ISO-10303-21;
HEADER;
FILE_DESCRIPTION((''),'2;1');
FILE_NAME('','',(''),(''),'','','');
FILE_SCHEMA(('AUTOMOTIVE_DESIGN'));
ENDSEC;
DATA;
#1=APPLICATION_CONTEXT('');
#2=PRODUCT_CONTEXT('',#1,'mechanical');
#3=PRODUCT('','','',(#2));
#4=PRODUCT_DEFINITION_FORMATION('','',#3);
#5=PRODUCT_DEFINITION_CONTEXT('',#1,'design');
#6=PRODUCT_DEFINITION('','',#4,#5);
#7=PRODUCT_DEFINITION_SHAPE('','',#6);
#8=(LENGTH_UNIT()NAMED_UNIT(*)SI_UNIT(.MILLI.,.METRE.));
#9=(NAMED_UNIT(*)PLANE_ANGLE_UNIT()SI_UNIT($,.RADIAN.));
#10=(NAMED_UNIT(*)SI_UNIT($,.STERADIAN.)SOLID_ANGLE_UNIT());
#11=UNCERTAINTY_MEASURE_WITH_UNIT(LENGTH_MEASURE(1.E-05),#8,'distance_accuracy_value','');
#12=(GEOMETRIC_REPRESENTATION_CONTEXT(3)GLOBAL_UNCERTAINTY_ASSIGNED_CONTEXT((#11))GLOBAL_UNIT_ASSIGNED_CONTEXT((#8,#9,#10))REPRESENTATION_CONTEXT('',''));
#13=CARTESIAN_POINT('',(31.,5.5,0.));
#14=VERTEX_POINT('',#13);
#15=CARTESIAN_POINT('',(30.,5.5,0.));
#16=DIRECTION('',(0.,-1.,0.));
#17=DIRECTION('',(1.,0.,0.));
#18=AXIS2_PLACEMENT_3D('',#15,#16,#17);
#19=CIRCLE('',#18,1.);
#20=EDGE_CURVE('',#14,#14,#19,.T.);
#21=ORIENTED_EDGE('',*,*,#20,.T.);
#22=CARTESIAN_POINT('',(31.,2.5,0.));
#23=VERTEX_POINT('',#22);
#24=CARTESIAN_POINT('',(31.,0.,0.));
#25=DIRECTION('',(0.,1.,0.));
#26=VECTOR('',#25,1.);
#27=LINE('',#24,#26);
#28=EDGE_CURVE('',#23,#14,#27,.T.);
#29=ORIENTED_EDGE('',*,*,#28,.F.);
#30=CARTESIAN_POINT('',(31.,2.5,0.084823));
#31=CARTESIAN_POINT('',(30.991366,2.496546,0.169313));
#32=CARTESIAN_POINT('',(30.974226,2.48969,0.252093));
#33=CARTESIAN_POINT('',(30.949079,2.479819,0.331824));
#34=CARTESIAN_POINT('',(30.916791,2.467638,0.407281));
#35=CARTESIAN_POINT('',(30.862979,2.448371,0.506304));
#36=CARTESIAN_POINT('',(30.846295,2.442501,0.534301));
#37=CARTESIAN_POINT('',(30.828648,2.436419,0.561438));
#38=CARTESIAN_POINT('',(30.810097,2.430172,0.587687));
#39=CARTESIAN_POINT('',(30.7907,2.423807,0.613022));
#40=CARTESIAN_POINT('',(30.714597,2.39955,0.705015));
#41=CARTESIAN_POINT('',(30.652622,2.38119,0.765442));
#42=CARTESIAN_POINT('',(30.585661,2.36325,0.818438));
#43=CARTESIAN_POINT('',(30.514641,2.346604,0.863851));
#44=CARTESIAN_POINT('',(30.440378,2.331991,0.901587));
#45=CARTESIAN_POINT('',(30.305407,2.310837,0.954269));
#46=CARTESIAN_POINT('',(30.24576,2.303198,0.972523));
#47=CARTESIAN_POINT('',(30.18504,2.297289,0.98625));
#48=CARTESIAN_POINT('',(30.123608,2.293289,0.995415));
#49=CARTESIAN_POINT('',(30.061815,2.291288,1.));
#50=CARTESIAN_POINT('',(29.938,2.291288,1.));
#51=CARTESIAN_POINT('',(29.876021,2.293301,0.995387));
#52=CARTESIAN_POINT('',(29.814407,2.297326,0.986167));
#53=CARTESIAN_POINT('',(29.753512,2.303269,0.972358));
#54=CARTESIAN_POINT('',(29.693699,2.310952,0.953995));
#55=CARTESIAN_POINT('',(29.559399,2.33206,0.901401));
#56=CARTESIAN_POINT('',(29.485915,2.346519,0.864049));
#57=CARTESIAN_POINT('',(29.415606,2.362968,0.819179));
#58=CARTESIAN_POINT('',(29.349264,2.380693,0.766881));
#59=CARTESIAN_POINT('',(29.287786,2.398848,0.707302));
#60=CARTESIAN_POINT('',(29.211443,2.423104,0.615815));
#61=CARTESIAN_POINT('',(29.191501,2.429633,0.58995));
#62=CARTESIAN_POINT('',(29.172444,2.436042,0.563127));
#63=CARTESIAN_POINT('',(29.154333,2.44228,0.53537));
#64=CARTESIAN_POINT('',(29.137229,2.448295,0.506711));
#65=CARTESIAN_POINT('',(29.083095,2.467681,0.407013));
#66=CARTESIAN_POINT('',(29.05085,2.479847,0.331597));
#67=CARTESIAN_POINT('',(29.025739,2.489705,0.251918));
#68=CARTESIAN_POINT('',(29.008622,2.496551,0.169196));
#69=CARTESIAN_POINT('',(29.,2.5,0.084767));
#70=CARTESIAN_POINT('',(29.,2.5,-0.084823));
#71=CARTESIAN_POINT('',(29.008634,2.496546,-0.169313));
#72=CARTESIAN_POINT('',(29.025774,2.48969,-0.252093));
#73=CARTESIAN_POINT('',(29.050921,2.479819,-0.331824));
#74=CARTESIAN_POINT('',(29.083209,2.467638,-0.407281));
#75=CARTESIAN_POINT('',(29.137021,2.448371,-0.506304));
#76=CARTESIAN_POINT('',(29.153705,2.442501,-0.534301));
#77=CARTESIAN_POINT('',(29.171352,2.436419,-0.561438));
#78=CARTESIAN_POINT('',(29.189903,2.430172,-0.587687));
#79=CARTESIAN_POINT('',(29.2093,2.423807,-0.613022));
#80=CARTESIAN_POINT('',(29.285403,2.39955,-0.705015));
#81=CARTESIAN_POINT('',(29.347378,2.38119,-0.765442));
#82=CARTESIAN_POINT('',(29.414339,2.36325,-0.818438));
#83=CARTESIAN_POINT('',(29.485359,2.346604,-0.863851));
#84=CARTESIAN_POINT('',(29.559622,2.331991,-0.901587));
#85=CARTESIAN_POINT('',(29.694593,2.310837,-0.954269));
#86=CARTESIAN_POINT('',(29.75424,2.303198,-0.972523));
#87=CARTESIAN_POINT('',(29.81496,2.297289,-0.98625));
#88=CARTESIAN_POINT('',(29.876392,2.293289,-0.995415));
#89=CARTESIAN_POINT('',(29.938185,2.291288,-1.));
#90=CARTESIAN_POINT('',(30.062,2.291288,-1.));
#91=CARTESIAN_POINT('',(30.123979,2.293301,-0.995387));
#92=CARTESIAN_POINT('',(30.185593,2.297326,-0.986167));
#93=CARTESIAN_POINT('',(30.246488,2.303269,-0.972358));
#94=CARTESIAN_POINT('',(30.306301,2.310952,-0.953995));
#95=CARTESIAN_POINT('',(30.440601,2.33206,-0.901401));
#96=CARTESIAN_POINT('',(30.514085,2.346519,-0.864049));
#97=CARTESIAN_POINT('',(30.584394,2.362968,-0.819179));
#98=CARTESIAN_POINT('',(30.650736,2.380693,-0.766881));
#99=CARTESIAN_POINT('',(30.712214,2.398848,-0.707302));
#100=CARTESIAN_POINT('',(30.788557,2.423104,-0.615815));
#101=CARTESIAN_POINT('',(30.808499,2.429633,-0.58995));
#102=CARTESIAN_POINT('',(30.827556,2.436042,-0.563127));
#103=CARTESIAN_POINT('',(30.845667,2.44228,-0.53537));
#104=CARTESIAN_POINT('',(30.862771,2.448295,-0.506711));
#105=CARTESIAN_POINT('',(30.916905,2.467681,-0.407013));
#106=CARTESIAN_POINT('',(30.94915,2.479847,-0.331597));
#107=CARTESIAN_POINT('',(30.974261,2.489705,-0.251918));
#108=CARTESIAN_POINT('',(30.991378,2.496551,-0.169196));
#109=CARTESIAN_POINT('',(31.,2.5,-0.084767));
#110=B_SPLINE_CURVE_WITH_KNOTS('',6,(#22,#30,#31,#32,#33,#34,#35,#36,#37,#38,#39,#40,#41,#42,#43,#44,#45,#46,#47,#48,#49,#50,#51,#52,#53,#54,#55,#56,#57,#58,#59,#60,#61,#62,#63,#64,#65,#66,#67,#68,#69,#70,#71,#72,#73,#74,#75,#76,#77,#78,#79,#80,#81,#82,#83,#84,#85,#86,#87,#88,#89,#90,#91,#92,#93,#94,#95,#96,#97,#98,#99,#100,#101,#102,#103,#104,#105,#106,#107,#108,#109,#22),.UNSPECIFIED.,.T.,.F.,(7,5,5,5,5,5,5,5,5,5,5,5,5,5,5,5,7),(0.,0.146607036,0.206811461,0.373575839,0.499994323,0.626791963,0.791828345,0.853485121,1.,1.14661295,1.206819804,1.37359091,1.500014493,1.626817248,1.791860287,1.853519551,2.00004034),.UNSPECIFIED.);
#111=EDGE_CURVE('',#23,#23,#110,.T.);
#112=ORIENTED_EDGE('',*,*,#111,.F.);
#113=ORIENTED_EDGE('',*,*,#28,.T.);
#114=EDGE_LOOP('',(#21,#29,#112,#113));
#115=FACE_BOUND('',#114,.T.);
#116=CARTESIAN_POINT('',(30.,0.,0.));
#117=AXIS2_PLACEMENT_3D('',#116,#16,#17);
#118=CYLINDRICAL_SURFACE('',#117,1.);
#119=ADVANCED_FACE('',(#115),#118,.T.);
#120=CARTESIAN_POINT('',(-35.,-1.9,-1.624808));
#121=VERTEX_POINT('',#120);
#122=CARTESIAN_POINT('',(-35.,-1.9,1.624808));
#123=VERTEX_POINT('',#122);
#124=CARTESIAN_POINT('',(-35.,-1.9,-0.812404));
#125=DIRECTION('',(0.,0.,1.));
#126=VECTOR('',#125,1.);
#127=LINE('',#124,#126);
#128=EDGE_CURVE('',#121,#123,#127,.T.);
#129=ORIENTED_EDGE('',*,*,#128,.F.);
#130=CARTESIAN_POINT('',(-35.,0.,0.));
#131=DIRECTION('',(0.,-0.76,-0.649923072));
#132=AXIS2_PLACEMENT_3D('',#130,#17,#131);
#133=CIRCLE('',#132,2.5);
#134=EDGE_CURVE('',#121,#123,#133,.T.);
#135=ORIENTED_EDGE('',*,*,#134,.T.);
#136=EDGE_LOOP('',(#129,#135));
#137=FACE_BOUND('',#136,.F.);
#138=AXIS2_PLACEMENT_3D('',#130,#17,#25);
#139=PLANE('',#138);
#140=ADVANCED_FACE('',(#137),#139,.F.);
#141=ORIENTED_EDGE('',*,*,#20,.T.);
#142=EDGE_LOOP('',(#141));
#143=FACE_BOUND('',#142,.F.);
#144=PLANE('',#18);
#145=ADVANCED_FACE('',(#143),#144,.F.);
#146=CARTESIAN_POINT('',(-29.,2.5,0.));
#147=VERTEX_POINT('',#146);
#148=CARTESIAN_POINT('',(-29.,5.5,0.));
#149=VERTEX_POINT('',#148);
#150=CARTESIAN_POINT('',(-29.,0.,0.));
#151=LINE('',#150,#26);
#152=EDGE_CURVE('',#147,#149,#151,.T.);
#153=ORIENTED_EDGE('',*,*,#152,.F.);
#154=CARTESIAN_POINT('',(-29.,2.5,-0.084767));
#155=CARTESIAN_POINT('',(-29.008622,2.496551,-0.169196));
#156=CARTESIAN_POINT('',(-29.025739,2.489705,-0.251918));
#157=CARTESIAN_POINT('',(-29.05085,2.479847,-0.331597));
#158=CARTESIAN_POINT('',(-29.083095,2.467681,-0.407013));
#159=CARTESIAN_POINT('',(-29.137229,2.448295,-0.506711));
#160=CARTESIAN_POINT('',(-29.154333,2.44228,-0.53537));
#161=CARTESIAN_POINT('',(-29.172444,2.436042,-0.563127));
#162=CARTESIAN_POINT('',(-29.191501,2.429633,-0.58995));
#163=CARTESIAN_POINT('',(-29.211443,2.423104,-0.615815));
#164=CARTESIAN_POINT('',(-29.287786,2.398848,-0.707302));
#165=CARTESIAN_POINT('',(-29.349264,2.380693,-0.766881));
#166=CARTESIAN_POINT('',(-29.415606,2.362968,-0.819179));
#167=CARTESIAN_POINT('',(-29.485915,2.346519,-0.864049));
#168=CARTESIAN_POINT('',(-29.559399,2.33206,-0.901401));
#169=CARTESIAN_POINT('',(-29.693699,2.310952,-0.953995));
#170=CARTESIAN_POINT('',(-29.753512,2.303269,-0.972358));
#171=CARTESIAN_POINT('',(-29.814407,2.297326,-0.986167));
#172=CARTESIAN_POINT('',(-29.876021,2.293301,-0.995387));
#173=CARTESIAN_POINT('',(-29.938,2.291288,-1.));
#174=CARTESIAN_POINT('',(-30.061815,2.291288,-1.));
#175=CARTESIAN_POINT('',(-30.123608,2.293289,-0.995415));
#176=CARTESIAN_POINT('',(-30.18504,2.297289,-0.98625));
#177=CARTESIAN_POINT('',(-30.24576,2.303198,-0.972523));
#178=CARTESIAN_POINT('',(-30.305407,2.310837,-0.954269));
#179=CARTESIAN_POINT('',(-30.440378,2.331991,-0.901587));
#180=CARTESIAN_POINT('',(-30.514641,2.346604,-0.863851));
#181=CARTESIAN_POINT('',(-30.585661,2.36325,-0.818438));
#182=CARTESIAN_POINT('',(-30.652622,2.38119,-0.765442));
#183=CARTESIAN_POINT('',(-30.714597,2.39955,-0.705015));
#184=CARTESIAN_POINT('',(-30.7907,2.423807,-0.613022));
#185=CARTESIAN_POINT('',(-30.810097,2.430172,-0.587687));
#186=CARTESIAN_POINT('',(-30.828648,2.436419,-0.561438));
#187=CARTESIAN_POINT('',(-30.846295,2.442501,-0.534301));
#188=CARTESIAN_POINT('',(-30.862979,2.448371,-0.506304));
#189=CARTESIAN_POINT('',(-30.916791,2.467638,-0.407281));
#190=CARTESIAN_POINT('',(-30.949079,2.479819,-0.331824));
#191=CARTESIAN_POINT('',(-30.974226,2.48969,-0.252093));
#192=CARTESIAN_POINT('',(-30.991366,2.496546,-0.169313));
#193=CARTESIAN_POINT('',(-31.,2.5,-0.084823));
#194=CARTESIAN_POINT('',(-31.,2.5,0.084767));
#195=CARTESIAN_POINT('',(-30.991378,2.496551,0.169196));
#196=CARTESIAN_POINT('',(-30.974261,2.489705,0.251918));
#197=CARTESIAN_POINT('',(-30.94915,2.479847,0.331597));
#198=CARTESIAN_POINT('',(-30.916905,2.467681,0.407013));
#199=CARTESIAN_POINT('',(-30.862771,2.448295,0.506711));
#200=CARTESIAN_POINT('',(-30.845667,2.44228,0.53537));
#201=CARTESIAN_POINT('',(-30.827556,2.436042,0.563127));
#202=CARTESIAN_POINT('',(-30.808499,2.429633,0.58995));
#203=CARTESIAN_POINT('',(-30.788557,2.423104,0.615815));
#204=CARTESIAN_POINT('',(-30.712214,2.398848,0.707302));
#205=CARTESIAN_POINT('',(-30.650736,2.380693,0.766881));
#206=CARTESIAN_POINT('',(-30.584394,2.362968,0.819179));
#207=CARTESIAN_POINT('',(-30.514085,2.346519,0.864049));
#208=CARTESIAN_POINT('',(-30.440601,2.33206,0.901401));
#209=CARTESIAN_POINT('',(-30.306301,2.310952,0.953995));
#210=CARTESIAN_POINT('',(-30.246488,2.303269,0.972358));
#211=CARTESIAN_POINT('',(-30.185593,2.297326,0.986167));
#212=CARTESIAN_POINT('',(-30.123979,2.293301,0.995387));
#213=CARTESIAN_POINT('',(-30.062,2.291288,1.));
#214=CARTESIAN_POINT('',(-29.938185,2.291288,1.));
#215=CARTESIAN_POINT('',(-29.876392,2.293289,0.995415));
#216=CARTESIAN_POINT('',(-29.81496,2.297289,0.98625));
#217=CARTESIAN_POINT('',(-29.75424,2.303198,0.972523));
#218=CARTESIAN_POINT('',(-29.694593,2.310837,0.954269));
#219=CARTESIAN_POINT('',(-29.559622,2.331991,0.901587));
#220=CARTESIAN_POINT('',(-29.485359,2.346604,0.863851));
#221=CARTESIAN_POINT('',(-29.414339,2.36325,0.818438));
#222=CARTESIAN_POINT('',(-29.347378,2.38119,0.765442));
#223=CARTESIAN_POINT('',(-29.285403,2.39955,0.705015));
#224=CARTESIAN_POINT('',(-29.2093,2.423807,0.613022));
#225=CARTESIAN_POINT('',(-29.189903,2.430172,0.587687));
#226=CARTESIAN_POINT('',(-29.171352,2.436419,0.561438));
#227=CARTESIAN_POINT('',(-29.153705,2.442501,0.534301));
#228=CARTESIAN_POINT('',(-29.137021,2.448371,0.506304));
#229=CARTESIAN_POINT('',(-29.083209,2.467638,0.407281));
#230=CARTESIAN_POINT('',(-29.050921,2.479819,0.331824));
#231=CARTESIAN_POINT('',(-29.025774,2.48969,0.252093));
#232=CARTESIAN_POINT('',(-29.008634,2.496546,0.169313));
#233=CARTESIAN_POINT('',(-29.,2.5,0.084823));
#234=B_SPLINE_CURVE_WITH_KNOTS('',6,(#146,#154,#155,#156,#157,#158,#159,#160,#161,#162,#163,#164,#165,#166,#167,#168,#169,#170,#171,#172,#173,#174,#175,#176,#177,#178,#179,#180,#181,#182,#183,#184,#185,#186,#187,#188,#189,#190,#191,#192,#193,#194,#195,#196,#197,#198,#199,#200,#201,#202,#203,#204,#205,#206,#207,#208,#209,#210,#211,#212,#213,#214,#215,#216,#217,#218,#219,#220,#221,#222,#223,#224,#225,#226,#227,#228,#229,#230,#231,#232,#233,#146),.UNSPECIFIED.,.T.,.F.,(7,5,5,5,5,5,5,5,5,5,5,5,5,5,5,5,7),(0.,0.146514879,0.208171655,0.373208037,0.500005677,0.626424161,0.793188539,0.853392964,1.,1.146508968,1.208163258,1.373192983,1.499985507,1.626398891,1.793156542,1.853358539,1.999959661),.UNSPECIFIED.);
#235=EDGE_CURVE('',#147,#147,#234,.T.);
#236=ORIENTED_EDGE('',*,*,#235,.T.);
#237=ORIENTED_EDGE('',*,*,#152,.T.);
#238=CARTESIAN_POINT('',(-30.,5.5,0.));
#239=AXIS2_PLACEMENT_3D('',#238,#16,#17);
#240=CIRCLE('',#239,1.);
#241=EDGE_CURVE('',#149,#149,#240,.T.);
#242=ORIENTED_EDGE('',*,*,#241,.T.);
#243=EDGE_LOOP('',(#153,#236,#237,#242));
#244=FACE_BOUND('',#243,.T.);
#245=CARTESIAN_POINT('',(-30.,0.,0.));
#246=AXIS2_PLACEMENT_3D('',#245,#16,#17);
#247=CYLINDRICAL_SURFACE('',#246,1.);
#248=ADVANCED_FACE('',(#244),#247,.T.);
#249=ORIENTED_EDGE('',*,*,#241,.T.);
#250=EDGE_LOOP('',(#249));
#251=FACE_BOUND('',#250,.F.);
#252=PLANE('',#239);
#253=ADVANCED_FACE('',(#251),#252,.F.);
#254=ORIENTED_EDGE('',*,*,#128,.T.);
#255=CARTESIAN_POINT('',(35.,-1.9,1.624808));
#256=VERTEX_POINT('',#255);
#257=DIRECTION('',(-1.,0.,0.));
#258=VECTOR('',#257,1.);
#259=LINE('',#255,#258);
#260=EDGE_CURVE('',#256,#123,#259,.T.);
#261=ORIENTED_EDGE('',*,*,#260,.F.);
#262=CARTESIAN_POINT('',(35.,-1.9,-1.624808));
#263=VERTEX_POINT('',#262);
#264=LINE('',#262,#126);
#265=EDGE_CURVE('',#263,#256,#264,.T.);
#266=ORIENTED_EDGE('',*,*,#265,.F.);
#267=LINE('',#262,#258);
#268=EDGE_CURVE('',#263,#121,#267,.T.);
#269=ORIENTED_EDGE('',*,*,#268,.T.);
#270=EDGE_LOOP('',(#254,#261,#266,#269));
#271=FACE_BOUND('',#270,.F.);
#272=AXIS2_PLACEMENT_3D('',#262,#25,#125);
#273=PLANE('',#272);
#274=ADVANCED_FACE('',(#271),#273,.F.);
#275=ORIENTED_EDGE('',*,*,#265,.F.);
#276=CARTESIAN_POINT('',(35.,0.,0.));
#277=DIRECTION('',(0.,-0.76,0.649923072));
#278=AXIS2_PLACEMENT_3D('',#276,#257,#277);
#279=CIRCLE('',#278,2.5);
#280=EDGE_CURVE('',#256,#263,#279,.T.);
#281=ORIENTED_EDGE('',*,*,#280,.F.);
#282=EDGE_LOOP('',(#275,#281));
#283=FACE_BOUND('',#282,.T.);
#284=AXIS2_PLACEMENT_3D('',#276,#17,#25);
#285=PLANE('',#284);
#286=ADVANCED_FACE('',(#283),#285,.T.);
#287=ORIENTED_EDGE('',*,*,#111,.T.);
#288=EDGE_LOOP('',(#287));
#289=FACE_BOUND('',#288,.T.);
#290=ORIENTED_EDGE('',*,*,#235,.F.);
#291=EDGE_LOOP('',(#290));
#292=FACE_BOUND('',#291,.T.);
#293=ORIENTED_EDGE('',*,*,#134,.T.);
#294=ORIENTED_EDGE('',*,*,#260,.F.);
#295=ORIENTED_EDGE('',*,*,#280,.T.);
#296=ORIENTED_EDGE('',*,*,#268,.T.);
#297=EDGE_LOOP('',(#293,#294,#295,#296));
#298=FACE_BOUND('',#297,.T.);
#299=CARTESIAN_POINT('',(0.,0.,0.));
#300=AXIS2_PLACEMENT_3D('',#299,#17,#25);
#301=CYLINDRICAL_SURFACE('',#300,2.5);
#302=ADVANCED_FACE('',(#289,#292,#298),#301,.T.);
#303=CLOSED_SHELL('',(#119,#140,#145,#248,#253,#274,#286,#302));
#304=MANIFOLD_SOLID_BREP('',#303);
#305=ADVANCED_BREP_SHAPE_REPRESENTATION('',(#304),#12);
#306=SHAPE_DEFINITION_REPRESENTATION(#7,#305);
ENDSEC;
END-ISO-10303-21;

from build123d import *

# Parameters (mm, degrees)
F0_R     = 2.5
F1_DEPTH = 35
F2_R     = 1
F3_DEPTH = 5.5
F5_DEPTH = 70.0010001


with BuildPart() as f1:
    # F0 (on Right) → F1 (new body, symmetric)
    with BuildSketch(Plane.YZ):
        Circle(F0_R)
    extrude(amount=F1_DEPTH, both=True)

    # F2 (on Front) → F3 (join)
    with BuildSketch(Plane.XZ):
        with Locations((-30, 0)):
            Circle(F2_R)
        with Locations((30, 0)):
            Circle(F2_R)
    extrude(amount=-F3_DEPTH)

    # F4 (on face) → F5 (cut, through all)
    with BuildSketch(Plane.YZ.offset(35)):
        with BuildLine():
            Line((-1.9, -1.6248076809), (-1.9, 1.6248076809))
            ThreePointArc((-1.9, 1.6248076809), (-2.5, 0), (-1.9, -1.6248076809))
        make_face()
    extrude(amount=-F5_DEPTH, mode=Mode.SUBTRACT)


solid = f1.part
